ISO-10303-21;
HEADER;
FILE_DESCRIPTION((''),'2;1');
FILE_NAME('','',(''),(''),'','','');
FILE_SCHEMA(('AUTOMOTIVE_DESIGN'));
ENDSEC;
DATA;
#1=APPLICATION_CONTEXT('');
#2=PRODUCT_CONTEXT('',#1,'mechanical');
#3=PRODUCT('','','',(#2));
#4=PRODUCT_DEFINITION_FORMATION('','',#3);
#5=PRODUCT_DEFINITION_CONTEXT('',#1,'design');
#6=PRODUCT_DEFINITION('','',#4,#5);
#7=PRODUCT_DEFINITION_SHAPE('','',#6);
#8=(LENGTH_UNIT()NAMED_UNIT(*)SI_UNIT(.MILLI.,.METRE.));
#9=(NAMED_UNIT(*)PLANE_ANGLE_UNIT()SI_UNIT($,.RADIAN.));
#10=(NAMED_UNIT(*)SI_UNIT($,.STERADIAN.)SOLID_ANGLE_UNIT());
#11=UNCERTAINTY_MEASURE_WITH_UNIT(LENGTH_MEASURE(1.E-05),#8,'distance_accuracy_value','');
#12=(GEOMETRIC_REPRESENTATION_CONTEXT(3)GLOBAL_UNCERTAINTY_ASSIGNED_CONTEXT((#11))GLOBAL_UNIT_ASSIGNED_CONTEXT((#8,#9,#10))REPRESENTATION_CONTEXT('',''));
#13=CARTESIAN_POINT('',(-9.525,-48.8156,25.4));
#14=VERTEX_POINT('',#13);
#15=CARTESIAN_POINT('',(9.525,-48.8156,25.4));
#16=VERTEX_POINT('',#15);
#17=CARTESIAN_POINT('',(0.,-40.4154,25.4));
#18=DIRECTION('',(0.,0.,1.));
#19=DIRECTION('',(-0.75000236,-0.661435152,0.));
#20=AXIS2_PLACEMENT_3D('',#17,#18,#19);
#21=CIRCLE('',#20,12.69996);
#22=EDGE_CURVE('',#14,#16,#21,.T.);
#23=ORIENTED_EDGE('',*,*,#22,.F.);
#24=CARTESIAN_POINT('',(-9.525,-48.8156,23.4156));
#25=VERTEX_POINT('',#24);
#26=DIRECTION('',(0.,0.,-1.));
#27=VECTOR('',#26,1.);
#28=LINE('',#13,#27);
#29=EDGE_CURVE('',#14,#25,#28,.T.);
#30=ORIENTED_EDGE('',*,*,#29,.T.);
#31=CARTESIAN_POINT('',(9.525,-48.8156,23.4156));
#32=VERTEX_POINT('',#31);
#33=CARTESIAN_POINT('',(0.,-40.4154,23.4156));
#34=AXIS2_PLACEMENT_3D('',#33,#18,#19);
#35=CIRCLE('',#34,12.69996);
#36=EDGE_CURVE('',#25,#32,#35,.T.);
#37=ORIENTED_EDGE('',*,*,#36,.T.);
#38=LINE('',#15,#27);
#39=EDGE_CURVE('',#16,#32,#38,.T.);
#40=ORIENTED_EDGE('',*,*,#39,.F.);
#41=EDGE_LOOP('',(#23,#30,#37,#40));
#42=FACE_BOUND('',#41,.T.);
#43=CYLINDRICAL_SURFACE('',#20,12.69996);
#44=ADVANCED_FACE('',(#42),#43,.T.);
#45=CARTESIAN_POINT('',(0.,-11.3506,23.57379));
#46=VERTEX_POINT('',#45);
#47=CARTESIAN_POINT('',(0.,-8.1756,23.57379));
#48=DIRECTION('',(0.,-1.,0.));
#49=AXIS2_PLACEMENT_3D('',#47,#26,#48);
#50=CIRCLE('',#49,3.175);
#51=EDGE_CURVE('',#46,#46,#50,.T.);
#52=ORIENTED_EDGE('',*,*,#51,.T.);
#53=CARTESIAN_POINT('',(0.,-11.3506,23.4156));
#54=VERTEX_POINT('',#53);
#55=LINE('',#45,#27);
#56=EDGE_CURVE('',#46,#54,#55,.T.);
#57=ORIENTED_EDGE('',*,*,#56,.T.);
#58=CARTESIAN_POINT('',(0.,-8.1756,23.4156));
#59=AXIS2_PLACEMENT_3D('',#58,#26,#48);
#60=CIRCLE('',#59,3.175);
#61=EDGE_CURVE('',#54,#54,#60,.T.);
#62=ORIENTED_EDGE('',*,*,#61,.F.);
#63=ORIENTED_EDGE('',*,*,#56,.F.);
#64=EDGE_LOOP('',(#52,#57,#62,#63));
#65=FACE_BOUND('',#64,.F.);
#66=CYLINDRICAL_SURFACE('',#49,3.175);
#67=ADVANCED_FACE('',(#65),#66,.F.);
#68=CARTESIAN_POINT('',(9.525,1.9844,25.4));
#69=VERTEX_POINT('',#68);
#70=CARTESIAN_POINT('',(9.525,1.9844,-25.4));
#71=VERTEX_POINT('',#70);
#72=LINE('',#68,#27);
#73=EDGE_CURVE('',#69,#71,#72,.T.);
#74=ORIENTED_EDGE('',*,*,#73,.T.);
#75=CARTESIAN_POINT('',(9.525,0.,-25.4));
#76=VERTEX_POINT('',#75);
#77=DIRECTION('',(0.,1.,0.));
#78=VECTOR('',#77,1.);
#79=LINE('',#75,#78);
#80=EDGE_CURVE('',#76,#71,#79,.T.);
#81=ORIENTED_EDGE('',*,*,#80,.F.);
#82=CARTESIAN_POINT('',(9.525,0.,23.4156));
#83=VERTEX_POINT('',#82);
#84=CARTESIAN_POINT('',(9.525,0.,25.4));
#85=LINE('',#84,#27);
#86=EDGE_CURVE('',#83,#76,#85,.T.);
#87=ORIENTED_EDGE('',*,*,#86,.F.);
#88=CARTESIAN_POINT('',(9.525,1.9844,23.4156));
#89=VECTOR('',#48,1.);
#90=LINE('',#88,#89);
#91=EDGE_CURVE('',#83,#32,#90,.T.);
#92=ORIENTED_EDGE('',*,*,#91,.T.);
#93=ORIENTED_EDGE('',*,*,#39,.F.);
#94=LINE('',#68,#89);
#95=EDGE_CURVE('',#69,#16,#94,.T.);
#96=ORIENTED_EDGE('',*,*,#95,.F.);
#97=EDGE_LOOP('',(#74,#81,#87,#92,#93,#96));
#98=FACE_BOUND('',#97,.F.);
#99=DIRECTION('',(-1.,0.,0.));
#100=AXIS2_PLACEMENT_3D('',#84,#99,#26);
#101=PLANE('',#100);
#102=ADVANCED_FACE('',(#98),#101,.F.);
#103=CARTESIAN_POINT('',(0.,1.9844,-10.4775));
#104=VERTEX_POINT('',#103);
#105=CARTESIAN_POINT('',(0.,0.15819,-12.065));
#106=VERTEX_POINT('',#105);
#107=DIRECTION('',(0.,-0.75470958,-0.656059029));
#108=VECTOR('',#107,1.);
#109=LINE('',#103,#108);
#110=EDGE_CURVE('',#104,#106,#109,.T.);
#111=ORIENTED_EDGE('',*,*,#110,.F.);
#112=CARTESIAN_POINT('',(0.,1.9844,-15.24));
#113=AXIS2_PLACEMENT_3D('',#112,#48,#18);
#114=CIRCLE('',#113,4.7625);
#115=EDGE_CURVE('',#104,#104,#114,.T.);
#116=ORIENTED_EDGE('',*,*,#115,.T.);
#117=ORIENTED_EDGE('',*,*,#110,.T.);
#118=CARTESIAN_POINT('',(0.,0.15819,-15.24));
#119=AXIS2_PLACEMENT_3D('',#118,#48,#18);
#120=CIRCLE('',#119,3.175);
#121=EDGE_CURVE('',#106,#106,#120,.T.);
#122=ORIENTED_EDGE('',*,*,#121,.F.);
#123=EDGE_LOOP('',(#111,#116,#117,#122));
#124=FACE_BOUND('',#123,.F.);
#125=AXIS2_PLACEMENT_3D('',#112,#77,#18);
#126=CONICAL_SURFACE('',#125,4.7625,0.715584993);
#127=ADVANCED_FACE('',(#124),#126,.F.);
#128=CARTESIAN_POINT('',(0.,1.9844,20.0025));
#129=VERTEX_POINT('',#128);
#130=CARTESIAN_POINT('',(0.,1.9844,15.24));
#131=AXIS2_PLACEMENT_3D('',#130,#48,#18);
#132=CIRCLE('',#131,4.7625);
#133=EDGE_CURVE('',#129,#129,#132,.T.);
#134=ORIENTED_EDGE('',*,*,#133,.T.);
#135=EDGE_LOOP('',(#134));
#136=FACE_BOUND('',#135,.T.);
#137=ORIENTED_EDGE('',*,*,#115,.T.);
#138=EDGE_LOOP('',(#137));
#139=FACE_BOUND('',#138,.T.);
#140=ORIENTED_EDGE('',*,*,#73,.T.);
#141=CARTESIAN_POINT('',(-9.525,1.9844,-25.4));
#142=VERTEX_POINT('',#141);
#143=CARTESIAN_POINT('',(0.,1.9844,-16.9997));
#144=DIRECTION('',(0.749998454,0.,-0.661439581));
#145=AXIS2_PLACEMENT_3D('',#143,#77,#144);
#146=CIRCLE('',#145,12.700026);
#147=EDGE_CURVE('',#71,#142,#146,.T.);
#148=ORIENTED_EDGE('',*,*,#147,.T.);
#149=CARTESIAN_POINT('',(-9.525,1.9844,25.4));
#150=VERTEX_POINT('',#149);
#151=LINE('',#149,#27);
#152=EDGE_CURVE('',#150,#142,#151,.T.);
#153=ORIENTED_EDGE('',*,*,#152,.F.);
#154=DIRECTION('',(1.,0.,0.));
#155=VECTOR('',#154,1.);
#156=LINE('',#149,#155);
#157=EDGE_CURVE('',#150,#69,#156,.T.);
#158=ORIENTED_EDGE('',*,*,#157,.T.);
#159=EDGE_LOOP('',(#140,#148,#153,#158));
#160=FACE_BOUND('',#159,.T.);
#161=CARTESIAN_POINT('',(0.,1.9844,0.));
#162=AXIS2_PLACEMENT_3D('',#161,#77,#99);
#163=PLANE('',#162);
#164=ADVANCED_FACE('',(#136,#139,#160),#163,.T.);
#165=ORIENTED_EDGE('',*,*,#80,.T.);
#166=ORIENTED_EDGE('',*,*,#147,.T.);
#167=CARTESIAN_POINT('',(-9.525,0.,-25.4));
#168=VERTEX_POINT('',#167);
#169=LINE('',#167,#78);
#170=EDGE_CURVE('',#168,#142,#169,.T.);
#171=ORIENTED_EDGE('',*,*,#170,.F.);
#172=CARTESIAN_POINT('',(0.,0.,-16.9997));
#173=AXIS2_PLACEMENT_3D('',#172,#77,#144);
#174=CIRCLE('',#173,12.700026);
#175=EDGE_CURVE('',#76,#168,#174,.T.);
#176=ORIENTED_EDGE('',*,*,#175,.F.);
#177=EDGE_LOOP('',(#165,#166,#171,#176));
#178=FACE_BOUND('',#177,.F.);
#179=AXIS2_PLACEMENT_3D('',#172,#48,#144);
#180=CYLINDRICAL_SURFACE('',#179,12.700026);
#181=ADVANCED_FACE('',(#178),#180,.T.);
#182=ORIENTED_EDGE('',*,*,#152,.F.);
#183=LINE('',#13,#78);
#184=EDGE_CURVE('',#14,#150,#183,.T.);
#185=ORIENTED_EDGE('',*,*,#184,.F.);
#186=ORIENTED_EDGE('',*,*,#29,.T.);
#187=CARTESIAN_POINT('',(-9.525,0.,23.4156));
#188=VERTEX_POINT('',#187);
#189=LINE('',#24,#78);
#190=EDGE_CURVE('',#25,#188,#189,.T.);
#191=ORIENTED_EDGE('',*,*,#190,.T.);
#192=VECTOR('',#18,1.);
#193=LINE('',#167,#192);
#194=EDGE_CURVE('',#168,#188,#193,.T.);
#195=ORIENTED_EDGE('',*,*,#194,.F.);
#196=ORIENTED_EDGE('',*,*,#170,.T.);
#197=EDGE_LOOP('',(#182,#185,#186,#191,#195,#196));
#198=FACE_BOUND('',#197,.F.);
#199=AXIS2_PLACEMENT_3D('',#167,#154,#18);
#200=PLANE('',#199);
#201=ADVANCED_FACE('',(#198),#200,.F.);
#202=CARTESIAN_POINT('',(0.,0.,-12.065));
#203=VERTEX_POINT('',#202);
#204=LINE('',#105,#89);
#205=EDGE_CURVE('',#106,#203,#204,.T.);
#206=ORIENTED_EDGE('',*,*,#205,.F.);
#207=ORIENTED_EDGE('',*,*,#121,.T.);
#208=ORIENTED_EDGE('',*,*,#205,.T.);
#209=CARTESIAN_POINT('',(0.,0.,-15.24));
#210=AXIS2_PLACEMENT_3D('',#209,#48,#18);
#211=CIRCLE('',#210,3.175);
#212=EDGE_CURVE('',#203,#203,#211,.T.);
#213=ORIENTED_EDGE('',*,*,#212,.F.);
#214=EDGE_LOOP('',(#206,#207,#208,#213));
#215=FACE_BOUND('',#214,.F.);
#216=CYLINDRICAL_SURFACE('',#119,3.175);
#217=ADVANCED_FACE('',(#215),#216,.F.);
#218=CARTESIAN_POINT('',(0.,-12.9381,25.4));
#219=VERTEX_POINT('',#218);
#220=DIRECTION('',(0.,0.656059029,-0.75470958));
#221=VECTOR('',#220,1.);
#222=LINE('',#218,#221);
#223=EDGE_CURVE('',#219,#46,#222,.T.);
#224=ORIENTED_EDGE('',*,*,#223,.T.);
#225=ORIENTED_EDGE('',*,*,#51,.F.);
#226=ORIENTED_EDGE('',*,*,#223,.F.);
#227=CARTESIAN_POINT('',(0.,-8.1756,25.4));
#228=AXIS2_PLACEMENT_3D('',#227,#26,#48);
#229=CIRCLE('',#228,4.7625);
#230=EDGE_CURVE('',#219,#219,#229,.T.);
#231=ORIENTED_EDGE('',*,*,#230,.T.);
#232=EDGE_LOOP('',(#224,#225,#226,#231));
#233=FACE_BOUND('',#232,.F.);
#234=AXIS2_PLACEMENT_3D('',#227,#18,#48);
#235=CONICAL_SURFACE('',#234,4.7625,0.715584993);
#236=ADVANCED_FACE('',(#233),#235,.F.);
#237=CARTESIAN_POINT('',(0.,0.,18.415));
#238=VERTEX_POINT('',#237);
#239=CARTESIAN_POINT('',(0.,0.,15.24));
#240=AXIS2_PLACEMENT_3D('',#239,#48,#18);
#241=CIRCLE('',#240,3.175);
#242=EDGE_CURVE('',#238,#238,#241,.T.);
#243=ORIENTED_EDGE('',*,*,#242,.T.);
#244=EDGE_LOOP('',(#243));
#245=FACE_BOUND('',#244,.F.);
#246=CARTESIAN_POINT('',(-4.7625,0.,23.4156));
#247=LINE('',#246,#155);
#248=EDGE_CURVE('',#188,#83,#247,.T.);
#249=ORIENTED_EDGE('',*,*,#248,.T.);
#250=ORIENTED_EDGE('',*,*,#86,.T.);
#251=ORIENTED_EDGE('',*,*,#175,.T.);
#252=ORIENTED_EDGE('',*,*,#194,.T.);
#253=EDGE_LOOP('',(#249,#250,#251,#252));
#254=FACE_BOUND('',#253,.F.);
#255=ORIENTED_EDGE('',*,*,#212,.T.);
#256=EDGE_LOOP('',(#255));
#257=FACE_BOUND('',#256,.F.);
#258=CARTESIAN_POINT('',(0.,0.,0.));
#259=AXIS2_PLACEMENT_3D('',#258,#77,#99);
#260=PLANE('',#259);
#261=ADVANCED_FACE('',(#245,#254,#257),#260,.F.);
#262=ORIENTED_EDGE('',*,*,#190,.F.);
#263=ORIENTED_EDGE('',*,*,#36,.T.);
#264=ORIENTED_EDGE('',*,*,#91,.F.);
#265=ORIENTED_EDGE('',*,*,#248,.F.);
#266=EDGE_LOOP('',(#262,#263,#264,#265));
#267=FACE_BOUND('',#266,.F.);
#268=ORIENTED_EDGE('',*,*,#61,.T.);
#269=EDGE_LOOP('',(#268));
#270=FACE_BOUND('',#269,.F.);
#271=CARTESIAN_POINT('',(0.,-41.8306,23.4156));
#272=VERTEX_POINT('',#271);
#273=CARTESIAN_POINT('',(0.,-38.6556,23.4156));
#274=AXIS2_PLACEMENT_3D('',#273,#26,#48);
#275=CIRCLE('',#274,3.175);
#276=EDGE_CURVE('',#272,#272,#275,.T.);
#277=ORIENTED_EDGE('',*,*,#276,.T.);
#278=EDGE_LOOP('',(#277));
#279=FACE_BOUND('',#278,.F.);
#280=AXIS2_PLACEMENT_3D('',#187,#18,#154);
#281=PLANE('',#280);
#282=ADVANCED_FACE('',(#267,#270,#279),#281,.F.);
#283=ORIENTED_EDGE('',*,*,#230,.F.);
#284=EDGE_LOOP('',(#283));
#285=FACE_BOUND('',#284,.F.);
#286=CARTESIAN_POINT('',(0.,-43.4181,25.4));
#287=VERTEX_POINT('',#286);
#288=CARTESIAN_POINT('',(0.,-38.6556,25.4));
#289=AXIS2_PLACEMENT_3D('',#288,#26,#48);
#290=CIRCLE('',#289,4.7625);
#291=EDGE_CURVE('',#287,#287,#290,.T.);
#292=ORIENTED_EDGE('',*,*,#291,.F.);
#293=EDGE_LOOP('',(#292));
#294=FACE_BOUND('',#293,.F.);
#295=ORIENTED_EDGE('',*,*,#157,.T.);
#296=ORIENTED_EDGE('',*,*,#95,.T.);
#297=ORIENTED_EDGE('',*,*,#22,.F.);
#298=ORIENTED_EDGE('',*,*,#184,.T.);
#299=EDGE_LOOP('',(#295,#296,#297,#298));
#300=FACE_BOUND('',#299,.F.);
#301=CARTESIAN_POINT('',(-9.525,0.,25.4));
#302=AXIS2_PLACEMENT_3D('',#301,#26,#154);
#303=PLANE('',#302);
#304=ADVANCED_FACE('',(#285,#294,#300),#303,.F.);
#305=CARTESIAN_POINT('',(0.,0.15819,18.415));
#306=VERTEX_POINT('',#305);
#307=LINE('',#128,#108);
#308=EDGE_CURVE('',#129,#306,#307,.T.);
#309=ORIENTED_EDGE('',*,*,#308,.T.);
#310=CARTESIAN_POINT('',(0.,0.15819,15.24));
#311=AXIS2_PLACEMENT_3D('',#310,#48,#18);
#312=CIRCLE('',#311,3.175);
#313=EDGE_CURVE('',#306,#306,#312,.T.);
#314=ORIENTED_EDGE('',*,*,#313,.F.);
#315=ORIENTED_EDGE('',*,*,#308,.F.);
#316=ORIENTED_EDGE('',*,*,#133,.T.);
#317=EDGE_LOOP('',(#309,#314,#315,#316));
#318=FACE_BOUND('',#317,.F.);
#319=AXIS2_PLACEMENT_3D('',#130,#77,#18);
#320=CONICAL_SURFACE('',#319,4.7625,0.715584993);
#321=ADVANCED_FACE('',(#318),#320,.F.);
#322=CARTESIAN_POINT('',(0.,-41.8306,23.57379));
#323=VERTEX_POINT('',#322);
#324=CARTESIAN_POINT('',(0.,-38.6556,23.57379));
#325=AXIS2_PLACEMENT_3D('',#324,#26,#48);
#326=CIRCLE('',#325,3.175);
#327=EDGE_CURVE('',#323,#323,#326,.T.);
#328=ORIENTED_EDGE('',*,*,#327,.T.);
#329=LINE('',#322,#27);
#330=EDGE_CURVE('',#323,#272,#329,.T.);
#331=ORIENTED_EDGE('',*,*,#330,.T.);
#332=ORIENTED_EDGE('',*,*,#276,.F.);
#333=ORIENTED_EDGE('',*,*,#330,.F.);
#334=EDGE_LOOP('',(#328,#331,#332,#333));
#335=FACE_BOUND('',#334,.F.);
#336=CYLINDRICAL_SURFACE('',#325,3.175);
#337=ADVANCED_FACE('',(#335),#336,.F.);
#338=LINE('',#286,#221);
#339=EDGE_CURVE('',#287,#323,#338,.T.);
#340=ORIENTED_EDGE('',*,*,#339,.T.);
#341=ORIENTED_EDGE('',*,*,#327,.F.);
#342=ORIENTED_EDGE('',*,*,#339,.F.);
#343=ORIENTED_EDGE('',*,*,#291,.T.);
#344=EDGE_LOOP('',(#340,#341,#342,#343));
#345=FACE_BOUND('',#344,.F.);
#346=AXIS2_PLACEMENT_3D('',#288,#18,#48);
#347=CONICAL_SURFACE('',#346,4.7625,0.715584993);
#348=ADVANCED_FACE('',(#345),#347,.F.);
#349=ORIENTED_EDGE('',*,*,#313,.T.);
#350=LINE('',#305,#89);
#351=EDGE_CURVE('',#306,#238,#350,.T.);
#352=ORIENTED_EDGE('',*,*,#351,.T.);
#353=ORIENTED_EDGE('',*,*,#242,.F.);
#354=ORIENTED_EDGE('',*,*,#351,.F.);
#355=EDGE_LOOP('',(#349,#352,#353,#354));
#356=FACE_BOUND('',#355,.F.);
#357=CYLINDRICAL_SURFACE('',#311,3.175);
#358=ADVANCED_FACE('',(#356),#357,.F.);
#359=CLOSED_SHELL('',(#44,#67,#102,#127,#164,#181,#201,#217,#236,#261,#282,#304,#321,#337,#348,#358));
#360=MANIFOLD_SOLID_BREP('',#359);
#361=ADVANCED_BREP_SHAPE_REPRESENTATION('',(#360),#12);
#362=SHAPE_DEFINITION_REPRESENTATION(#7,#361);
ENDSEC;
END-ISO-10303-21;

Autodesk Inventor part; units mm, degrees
ref_plane "YZ Plane" through (0, 0, 0) normal (1, 0, 0) x (0, 1, 0)
ref_plane "XZ Plane" through (0, 0, 0) normal (0, 1, 0) x (-1, 0, 0)
ref_plane "XY Plane" through (0, 0, 0) normal (0, 0, 1) x (1, 0, 0)
sketch "Sketch4" plane through (0, 0, 0) normal (0, 1, 0) x (-1, 0, 0)
  line L0 (9.525, 25.4) -> (-9.525, 25.4)
  line L1 (-9.525, 25.4) -> (-9.525, -25.4)
  line L2 (-9.525, -25.4) -> (9.525, -25.4)
  line L3 (9.525, -25.4) -> (9.525, 25.4)
  line L4 (9.525, 25.4) -> (-9.525, -25.4) construction
  line L5 (-9.525, 25.4) -> (9.525, -25.4) construction
  arc A0 (-9.525, -25.4) -> (9.525, -25.4) centre (0, -16.9997) ccw
  point P0 (0, 0)
  dimension "d10" = 19.05
  dimension "d11" = 50.8
  dimension "d12" = 12.7
extrude "Extrusion2" add sketch "Sketch4" along normal blind 1.9844
sketch "Sketch5" plane through (0, 1.9844, 0) normal (0, 1, 0) x (1, 0, 0)
  point P0 (0, 0)
  point P1 (0, 15.24)
  point P2 (0, -15.24)
  dimension "d15" = 15.24
  dimension "d16" = 15.24
hole "Hole1" at (0, 1.9844, -15.24) at (0, 1.9844, 15.24) direction (0, -1, 0) diameter 6.35 depth 15.6718 tip angle 118 countersink diameter 9.525 countersink angle 82
sketch "Sketch6" plane through (-9.525, 0, 25.4) normal (0, 0, 1) x (1, 0, 0)
  line L0 (0, 1.9844) -> (19.05, 1.9844)
  line L1 (19.05, 1.9844) -> (19.05, -48.8156)
  line L2 (19.05, -48.8156) -> (0, -48.8156)
  line L3 (0, -48.8156) -> (0, 1.9844)
  arc A0 (0, -48.8156) -> (19.05, -48.8156) centre (9.525, -40.4154) ccw
  point P0 (9.525, 0)
  dimension "d24" = 19.05
  dimension "d25" = 50.8
  dimension "d28" = 12.7
extrude "Extrusion3" add sketch "Sketch6" against normal blind 1.9844
sketch "Sketch7" plane through (-9.525, 1.9844, 25.4) normal (0, 0, 1) x (1, 0, 0)
  line L0 (0, -50.8) -> (0, 0) construction
  line L1 (19.05, -1.9844) -> (19.05, -50.8) construction
  line L2 (0, 0) -> (19.05, 0) construction
  line L3 (19.05, 0) -> (19.05, -50.8) construction
  line L4 (19.05, -50.8) -> (0, -50.8) construction
  line L5 (0, -50.8) -> (0, 0) construction
  line L6 (9.525, -25.4) -> (19.05, -25.4) construction
  point P0 (9.525, -1.9844)
  point P1 (9.525, -10.16)
  point P2 (9.525, -40.64)
  dimension "d29" = 15.24
  dimension "d30" = 15.24
hole "Hole2" at (0, -8.1756, 25.4) at (0, -38.6556, 25.4) direction (0, 0, -1) diameter 6.35 depth 15.6718 tip angle 118 countersink diameter 9.525 countersink angle 82
equation "\"d16\" = d15"
equation "\"d30\" = d29"
properties part number "CornerBrace"
